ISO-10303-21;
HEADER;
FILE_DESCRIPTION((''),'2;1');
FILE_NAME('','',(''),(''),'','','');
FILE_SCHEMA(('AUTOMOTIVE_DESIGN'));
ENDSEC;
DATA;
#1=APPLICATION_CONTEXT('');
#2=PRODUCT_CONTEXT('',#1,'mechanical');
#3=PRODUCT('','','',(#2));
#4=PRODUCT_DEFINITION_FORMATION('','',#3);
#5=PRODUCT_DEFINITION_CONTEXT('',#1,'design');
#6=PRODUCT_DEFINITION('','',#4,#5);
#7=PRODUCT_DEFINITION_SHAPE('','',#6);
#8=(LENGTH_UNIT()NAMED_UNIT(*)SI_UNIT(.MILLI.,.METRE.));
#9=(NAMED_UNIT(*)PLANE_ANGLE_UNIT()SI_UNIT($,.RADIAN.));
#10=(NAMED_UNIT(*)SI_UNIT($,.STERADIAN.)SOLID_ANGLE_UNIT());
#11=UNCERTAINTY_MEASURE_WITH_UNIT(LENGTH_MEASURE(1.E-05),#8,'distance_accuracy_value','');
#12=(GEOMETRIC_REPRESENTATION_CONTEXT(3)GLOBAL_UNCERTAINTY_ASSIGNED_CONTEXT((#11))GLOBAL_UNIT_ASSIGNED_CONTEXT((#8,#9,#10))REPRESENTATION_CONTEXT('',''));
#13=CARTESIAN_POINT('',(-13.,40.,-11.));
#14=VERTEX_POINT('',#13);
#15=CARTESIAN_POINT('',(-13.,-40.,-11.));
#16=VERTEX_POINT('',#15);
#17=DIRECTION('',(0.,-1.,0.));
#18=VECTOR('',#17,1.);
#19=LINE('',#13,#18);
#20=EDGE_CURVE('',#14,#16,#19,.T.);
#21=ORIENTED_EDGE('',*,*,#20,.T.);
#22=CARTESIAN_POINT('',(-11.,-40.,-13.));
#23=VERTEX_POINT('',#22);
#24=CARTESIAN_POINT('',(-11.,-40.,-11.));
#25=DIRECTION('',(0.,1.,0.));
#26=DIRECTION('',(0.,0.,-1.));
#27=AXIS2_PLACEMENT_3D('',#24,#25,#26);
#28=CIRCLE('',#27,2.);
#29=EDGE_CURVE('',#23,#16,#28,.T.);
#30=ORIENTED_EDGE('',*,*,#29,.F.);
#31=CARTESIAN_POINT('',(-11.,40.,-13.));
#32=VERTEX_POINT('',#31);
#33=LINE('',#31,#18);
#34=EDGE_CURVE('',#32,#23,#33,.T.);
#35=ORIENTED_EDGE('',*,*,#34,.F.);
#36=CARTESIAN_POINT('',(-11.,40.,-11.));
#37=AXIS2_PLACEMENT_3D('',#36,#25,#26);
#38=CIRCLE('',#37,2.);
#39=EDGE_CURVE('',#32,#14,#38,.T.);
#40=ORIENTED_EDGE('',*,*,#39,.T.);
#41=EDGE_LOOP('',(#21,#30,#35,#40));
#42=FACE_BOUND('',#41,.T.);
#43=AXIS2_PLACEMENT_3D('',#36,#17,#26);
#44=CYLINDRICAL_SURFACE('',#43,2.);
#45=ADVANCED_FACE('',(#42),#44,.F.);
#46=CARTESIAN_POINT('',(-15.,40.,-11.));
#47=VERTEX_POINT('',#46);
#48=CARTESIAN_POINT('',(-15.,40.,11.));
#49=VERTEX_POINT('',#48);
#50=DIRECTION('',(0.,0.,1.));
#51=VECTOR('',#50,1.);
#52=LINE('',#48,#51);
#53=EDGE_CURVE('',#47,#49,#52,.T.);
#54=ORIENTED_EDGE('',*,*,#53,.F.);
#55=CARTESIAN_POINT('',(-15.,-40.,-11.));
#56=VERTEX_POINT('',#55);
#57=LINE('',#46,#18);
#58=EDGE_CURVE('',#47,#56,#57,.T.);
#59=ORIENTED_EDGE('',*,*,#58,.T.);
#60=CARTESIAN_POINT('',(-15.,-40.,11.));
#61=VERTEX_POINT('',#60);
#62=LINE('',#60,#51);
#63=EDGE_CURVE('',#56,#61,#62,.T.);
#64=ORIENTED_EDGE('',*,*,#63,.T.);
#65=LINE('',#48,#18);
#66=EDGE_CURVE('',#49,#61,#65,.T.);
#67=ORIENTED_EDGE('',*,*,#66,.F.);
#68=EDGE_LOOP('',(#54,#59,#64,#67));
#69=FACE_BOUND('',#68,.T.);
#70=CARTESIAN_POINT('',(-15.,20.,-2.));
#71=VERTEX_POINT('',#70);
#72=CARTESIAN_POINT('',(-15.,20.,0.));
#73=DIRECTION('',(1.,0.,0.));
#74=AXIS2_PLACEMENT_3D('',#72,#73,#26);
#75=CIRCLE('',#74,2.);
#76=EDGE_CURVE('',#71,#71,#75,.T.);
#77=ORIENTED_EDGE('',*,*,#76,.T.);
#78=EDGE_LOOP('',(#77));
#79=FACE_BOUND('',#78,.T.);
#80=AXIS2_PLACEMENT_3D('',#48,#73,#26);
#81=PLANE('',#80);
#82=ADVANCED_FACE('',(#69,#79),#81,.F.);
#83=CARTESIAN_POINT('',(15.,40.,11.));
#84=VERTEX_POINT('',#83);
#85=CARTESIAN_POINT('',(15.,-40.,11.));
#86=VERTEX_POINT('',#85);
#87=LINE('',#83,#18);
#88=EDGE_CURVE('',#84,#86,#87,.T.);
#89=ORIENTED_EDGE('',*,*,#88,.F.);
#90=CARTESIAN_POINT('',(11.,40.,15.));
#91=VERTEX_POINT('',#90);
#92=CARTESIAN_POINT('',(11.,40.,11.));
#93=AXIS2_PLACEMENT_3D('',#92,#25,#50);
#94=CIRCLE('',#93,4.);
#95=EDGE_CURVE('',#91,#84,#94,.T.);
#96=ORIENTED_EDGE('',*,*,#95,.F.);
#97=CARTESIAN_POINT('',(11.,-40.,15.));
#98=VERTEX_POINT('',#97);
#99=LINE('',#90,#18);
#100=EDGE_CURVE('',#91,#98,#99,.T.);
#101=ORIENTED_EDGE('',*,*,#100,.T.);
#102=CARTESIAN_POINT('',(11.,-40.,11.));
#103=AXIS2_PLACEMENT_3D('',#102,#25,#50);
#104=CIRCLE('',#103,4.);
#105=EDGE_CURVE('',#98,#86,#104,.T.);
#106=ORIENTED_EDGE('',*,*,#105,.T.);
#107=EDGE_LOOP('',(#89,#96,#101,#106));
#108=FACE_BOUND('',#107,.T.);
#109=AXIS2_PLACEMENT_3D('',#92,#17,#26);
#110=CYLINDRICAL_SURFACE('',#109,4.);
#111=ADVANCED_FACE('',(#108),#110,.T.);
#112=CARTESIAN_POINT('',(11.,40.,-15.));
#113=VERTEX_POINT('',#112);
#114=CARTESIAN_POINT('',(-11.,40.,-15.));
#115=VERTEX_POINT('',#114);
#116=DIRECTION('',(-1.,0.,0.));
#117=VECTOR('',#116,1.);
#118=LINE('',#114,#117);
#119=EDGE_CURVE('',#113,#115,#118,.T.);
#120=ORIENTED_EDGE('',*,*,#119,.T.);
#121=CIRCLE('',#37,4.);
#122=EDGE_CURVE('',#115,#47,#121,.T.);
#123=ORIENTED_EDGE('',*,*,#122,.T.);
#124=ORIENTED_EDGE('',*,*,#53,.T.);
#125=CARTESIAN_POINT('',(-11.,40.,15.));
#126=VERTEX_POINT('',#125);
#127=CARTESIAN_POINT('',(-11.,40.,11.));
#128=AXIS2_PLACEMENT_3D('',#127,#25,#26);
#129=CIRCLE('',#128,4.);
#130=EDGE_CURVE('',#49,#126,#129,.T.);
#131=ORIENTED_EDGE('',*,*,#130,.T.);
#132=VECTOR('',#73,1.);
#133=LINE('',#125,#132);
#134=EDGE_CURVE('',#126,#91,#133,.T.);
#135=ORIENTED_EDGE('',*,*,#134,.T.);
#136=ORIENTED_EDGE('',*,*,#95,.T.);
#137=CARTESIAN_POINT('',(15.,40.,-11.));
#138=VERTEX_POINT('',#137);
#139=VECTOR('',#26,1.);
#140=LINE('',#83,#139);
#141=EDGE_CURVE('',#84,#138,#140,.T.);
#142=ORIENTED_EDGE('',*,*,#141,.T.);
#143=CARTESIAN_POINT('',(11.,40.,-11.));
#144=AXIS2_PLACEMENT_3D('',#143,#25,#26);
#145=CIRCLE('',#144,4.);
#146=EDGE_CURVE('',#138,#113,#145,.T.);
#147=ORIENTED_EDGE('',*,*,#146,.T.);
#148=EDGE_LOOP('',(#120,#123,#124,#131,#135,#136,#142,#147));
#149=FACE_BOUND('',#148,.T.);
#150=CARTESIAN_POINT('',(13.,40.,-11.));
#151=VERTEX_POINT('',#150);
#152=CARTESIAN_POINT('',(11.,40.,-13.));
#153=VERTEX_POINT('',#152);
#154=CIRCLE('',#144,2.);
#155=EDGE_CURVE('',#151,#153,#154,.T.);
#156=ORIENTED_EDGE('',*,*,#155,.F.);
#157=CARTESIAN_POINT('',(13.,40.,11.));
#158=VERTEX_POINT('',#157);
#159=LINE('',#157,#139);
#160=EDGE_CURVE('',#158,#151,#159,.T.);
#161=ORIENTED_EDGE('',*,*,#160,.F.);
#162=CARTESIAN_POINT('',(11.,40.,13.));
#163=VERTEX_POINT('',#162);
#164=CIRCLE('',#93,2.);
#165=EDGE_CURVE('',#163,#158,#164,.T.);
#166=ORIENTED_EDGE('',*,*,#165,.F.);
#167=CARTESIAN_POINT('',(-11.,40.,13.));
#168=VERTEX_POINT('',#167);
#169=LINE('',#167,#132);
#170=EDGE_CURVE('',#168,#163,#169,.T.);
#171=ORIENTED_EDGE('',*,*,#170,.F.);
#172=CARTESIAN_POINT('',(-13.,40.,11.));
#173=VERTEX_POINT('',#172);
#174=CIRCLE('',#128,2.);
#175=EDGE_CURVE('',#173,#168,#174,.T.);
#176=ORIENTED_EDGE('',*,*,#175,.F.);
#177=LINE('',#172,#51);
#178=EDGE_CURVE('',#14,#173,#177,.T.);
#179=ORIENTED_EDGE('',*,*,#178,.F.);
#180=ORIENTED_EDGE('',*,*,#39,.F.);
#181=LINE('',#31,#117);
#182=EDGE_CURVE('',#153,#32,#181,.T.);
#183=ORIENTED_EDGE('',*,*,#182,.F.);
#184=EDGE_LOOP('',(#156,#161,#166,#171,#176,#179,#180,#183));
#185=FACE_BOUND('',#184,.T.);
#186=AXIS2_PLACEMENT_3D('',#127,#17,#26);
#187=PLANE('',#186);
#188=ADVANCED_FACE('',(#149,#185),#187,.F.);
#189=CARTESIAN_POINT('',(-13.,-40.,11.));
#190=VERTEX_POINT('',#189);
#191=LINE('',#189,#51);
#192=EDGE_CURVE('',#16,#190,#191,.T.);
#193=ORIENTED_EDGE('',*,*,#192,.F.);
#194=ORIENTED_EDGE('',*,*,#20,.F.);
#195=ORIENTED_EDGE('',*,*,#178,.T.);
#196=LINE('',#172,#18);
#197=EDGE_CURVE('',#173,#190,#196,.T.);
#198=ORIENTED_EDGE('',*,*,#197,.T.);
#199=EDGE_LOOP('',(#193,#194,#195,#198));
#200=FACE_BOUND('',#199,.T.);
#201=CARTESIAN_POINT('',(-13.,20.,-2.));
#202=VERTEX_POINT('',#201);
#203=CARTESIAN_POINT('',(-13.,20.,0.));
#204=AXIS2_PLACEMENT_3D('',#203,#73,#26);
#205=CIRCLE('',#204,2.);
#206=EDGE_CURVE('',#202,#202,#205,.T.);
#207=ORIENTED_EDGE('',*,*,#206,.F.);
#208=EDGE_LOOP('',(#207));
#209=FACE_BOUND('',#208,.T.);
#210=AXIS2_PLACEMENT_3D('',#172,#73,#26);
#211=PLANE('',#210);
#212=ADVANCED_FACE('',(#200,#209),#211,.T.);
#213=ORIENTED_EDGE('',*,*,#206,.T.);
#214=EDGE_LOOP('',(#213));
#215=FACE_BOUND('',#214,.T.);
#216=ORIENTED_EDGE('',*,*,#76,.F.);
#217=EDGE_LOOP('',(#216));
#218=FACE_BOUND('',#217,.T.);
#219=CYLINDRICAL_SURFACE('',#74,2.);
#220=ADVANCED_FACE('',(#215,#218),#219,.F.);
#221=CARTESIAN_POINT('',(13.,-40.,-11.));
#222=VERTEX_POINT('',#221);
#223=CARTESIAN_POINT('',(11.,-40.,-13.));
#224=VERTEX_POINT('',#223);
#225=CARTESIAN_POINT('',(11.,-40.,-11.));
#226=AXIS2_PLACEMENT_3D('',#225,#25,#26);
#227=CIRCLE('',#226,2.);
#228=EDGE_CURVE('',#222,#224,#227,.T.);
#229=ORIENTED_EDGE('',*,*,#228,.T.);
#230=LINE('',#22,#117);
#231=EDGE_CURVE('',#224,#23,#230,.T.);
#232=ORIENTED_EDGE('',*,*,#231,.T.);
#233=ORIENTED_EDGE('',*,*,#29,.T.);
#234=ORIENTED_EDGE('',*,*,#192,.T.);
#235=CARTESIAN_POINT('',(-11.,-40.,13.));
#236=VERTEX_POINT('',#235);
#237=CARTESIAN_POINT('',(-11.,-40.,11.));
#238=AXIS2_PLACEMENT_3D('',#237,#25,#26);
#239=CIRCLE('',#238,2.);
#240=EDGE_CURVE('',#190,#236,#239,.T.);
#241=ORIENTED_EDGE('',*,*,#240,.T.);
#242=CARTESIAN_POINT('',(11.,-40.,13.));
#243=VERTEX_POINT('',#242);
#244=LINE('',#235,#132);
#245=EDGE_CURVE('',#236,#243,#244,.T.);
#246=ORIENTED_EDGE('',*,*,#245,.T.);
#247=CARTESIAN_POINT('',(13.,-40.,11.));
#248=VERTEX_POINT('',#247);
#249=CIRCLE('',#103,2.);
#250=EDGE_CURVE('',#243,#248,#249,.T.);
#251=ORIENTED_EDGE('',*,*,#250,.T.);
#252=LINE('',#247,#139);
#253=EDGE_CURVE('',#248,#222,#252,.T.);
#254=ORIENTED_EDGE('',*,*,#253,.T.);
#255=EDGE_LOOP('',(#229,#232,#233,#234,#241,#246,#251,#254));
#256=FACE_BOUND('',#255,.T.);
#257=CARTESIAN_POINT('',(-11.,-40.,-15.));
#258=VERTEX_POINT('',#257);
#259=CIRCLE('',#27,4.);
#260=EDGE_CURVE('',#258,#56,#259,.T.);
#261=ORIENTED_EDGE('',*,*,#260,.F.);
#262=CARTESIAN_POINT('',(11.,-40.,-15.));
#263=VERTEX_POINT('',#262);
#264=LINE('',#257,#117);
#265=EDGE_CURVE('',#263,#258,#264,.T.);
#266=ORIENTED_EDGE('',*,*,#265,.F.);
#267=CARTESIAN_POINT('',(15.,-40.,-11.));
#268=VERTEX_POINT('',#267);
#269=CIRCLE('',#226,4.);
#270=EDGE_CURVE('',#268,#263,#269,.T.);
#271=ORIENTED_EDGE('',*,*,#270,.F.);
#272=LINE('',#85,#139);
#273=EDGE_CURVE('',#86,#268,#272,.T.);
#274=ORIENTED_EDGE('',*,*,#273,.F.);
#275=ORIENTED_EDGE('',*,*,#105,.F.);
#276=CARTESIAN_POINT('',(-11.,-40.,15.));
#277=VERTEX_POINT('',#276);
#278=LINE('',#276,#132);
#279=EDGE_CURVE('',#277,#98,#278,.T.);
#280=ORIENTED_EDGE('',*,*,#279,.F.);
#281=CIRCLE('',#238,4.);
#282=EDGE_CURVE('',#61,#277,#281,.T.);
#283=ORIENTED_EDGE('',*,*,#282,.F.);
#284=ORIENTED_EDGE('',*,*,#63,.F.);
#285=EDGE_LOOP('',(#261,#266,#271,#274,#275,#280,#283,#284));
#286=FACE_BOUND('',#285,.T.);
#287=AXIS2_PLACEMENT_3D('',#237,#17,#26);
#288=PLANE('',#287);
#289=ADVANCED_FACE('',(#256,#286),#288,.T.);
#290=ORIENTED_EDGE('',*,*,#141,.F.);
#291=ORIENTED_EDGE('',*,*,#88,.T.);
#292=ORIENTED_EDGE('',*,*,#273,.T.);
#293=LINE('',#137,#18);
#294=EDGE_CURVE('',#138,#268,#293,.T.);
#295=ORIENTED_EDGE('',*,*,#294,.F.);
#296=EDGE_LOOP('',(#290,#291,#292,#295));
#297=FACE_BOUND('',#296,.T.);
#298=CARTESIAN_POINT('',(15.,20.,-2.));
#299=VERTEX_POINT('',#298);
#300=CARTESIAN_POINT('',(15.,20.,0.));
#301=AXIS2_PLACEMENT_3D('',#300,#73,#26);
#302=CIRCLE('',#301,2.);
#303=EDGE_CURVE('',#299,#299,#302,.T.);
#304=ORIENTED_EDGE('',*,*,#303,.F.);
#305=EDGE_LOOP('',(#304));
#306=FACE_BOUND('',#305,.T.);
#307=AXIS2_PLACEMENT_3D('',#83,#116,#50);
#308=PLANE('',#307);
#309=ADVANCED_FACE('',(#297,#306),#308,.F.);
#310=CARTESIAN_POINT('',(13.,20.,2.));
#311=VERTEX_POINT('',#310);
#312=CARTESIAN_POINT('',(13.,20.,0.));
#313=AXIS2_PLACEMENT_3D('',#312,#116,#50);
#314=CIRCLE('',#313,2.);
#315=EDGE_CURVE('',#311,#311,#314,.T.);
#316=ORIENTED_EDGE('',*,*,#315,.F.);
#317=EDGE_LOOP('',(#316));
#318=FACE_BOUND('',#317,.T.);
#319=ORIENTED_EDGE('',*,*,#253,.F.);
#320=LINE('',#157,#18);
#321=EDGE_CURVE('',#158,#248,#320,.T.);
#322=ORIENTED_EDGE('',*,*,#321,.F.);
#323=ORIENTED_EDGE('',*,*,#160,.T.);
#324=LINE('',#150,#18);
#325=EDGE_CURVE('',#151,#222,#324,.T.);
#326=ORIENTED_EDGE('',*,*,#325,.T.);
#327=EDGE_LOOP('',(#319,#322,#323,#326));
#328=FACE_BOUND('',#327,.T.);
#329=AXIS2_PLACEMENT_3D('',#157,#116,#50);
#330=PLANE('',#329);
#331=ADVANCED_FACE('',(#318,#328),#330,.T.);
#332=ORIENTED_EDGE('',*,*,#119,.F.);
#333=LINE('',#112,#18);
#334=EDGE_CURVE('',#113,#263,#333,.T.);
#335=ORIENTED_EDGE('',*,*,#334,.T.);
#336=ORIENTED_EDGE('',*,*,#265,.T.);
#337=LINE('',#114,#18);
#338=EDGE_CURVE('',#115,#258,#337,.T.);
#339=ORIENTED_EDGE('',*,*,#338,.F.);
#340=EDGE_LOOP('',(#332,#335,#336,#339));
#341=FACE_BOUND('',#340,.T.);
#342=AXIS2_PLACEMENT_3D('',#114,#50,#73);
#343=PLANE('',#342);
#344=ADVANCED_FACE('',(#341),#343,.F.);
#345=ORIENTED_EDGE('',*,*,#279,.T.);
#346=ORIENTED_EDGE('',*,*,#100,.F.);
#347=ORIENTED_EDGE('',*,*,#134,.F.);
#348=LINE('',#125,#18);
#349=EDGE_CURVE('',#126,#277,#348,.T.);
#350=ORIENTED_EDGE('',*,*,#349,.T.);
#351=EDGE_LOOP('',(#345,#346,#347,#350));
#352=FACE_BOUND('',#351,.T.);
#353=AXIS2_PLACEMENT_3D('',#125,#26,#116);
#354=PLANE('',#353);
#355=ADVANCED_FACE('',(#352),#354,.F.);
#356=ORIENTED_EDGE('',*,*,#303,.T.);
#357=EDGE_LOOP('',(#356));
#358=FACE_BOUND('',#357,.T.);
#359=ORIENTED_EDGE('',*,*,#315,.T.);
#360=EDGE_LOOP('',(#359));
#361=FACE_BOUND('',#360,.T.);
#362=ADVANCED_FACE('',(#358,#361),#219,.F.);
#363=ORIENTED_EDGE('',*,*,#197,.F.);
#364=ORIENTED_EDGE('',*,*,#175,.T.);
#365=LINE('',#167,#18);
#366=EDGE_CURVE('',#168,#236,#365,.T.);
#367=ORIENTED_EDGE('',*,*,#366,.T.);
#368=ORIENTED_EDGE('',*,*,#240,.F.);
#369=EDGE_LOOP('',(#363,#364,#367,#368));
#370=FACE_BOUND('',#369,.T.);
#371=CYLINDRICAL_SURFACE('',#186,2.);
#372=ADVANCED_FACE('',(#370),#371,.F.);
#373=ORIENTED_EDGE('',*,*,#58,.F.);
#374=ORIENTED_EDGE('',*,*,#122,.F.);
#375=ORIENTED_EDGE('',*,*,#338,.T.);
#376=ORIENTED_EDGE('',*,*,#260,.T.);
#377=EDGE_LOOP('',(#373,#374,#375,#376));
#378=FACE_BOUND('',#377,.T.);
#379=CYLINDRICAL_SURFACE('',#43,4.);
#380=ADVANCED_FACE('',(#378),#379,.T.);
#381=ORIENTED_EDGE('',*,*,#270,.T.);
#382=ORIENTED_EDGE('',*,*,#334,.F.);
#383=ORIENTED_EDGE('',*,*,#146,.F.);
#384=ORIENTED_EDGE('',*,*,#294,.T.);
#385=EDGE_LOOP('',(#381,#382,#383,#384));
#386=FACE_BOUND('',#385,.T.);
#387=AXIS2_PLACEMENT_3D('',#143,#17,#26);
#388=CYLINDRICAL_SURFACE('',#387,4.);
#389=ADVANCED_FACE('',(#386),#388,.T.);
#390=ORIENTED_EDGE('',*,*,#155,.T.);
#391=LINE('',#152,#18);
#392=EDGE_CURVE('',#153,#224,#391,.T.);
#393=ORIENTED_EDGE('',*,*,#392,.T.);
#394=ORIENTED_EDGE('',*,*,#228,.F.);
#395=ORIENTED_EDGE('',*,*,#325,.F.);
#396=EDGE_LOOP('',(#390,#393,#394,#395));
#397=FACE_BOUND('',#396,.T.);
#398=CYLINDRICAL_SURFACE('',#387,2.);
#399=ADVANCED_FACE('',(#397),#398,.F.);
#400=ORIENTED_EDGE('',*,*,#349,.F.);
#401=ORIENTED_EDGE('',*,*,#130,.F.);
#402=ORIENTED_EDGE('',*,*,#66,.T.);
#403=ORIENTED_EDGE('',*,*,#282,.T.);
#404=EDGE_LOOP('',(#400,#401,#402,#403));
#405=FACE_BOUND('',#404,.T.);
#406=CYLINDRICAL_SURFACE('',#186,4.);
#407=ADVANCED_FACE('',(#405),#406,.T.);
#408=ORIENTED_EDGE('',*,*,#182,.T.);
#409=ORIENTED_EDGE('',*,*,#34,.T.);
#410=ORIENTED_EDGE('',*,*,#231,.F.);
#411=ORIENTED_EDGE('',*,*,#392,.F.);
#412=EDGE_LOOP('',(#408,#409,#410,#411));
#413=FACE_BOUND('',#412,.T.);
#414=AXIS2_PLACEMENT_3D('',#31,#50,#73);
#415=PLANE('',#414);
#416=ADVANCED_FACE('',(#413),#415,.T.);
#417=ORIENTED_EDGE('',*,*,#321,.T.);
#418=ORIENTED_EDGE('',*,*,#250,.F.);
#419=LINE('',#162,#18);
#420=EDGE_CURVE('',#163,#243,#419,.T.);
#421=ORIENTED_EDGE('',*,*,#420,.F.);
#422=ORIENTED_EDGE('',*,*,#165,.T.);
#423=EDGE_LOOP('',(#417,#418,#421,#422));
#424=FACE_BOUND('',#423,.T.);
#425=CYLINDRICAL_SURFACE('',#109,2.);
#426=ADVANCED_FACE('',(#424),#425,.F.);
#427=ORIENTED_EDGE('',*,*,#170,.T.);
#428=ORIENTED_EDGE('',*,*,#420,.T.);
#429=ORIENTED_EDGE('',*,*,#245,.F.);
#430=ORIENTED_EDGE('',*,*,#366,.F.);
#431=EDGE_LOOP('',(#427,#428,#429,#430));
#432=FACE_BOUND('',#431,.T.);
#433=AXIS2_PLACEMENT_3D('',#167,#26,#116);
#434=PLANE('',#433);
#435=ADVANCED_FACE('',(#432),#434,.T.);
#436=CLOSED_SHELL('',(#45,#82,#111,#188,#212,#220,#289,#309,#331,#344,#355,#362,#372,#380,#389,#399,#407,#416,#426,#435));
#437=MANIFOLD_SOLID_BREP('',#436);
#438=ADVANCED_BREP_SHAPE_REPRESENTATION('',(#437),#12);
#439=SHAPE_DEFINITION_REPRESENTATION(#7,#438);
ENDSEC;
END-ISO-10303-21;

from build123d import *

# Parameters (mm, degrees)
EXTRUDE_1_DEPTH          = 40
CUT_EXTRUDE_1_DEPTH      = 46.276925691
CUT_EXTRUDE_1_DEPTH_BACK = 46.276925691
SKETCH_2_R               = 2


with BuildPart() as part:
    # 草图1 → 凸台-拉伸1 (new, symmetric)
    with BuildSketch(Plane(origin=(0, 0, 0), x_dir=(1, 0, 0), z_dir=(0, 1, 0))):
        with BuildLine():
            Line((-11, -15), (11, -15))
            ThreePointArc((11, -15), (13.828427125, -13.828427125), (15, -11))
            Line((15, -11), (15, 11))
            ThreePointArc((15, 11), (13.828427125, 13.828427125), (11, 15))
            Line((11, 15), (-11, 15))
            ThreePointArc((-11, 15), (-13.828427125, 13.828427125), (-15, 11))
            Line((-15, 11), (-15, -11))
            ThreePointArc((-15, -11), (-13.828427125, -13.828427125), (-11, -15))
        make_face()
        with BuildLine():
            Line((-11, -13), (11, -13))
            ThreePointArc((11, -13), (12.414213562, -12.414213562), (13, -11))
            Line((13, -11), (13, 11))
            ThreePointArc((13, 11), (12.414213562, 12.414213562), (11, 13))
            Line((11, 13), (-11, 13))
            ThreePointArc((-11, 13), (-12.414213562, 12.414213562), (-13, 11))
            Line((-13, 11), (-13, -11))
            ThreePointArc((-13, -11), (-12.414213562, -12.414213562), (-11, -13))
        make_face(mode=Mode.SUBTRACT)
    extrude(amount=EXTRUDE_1_DEPTH, both=True)

    # 草图2 → 切除-拉伸1 (cut, two sides: drawn at the far end of the back side and taken through both)
    with BuildSketch(Plane(origin=(0, 0, 0), x_dir=(0, 0, -1), z_dir=(1, 0, 0)).offset(-CUT_EXTRUDE_1_DEPTH_BACK)):
        with Locations((0, 20)):
            Circle(SKETCH_2_R)
    extrude(amount=CUT_EXTRUDE_1_DEPTH + CUT_EXTRUDE_1_DEPTH_BACK, mode=Mode.SUBTRACT)


solid = part.part
